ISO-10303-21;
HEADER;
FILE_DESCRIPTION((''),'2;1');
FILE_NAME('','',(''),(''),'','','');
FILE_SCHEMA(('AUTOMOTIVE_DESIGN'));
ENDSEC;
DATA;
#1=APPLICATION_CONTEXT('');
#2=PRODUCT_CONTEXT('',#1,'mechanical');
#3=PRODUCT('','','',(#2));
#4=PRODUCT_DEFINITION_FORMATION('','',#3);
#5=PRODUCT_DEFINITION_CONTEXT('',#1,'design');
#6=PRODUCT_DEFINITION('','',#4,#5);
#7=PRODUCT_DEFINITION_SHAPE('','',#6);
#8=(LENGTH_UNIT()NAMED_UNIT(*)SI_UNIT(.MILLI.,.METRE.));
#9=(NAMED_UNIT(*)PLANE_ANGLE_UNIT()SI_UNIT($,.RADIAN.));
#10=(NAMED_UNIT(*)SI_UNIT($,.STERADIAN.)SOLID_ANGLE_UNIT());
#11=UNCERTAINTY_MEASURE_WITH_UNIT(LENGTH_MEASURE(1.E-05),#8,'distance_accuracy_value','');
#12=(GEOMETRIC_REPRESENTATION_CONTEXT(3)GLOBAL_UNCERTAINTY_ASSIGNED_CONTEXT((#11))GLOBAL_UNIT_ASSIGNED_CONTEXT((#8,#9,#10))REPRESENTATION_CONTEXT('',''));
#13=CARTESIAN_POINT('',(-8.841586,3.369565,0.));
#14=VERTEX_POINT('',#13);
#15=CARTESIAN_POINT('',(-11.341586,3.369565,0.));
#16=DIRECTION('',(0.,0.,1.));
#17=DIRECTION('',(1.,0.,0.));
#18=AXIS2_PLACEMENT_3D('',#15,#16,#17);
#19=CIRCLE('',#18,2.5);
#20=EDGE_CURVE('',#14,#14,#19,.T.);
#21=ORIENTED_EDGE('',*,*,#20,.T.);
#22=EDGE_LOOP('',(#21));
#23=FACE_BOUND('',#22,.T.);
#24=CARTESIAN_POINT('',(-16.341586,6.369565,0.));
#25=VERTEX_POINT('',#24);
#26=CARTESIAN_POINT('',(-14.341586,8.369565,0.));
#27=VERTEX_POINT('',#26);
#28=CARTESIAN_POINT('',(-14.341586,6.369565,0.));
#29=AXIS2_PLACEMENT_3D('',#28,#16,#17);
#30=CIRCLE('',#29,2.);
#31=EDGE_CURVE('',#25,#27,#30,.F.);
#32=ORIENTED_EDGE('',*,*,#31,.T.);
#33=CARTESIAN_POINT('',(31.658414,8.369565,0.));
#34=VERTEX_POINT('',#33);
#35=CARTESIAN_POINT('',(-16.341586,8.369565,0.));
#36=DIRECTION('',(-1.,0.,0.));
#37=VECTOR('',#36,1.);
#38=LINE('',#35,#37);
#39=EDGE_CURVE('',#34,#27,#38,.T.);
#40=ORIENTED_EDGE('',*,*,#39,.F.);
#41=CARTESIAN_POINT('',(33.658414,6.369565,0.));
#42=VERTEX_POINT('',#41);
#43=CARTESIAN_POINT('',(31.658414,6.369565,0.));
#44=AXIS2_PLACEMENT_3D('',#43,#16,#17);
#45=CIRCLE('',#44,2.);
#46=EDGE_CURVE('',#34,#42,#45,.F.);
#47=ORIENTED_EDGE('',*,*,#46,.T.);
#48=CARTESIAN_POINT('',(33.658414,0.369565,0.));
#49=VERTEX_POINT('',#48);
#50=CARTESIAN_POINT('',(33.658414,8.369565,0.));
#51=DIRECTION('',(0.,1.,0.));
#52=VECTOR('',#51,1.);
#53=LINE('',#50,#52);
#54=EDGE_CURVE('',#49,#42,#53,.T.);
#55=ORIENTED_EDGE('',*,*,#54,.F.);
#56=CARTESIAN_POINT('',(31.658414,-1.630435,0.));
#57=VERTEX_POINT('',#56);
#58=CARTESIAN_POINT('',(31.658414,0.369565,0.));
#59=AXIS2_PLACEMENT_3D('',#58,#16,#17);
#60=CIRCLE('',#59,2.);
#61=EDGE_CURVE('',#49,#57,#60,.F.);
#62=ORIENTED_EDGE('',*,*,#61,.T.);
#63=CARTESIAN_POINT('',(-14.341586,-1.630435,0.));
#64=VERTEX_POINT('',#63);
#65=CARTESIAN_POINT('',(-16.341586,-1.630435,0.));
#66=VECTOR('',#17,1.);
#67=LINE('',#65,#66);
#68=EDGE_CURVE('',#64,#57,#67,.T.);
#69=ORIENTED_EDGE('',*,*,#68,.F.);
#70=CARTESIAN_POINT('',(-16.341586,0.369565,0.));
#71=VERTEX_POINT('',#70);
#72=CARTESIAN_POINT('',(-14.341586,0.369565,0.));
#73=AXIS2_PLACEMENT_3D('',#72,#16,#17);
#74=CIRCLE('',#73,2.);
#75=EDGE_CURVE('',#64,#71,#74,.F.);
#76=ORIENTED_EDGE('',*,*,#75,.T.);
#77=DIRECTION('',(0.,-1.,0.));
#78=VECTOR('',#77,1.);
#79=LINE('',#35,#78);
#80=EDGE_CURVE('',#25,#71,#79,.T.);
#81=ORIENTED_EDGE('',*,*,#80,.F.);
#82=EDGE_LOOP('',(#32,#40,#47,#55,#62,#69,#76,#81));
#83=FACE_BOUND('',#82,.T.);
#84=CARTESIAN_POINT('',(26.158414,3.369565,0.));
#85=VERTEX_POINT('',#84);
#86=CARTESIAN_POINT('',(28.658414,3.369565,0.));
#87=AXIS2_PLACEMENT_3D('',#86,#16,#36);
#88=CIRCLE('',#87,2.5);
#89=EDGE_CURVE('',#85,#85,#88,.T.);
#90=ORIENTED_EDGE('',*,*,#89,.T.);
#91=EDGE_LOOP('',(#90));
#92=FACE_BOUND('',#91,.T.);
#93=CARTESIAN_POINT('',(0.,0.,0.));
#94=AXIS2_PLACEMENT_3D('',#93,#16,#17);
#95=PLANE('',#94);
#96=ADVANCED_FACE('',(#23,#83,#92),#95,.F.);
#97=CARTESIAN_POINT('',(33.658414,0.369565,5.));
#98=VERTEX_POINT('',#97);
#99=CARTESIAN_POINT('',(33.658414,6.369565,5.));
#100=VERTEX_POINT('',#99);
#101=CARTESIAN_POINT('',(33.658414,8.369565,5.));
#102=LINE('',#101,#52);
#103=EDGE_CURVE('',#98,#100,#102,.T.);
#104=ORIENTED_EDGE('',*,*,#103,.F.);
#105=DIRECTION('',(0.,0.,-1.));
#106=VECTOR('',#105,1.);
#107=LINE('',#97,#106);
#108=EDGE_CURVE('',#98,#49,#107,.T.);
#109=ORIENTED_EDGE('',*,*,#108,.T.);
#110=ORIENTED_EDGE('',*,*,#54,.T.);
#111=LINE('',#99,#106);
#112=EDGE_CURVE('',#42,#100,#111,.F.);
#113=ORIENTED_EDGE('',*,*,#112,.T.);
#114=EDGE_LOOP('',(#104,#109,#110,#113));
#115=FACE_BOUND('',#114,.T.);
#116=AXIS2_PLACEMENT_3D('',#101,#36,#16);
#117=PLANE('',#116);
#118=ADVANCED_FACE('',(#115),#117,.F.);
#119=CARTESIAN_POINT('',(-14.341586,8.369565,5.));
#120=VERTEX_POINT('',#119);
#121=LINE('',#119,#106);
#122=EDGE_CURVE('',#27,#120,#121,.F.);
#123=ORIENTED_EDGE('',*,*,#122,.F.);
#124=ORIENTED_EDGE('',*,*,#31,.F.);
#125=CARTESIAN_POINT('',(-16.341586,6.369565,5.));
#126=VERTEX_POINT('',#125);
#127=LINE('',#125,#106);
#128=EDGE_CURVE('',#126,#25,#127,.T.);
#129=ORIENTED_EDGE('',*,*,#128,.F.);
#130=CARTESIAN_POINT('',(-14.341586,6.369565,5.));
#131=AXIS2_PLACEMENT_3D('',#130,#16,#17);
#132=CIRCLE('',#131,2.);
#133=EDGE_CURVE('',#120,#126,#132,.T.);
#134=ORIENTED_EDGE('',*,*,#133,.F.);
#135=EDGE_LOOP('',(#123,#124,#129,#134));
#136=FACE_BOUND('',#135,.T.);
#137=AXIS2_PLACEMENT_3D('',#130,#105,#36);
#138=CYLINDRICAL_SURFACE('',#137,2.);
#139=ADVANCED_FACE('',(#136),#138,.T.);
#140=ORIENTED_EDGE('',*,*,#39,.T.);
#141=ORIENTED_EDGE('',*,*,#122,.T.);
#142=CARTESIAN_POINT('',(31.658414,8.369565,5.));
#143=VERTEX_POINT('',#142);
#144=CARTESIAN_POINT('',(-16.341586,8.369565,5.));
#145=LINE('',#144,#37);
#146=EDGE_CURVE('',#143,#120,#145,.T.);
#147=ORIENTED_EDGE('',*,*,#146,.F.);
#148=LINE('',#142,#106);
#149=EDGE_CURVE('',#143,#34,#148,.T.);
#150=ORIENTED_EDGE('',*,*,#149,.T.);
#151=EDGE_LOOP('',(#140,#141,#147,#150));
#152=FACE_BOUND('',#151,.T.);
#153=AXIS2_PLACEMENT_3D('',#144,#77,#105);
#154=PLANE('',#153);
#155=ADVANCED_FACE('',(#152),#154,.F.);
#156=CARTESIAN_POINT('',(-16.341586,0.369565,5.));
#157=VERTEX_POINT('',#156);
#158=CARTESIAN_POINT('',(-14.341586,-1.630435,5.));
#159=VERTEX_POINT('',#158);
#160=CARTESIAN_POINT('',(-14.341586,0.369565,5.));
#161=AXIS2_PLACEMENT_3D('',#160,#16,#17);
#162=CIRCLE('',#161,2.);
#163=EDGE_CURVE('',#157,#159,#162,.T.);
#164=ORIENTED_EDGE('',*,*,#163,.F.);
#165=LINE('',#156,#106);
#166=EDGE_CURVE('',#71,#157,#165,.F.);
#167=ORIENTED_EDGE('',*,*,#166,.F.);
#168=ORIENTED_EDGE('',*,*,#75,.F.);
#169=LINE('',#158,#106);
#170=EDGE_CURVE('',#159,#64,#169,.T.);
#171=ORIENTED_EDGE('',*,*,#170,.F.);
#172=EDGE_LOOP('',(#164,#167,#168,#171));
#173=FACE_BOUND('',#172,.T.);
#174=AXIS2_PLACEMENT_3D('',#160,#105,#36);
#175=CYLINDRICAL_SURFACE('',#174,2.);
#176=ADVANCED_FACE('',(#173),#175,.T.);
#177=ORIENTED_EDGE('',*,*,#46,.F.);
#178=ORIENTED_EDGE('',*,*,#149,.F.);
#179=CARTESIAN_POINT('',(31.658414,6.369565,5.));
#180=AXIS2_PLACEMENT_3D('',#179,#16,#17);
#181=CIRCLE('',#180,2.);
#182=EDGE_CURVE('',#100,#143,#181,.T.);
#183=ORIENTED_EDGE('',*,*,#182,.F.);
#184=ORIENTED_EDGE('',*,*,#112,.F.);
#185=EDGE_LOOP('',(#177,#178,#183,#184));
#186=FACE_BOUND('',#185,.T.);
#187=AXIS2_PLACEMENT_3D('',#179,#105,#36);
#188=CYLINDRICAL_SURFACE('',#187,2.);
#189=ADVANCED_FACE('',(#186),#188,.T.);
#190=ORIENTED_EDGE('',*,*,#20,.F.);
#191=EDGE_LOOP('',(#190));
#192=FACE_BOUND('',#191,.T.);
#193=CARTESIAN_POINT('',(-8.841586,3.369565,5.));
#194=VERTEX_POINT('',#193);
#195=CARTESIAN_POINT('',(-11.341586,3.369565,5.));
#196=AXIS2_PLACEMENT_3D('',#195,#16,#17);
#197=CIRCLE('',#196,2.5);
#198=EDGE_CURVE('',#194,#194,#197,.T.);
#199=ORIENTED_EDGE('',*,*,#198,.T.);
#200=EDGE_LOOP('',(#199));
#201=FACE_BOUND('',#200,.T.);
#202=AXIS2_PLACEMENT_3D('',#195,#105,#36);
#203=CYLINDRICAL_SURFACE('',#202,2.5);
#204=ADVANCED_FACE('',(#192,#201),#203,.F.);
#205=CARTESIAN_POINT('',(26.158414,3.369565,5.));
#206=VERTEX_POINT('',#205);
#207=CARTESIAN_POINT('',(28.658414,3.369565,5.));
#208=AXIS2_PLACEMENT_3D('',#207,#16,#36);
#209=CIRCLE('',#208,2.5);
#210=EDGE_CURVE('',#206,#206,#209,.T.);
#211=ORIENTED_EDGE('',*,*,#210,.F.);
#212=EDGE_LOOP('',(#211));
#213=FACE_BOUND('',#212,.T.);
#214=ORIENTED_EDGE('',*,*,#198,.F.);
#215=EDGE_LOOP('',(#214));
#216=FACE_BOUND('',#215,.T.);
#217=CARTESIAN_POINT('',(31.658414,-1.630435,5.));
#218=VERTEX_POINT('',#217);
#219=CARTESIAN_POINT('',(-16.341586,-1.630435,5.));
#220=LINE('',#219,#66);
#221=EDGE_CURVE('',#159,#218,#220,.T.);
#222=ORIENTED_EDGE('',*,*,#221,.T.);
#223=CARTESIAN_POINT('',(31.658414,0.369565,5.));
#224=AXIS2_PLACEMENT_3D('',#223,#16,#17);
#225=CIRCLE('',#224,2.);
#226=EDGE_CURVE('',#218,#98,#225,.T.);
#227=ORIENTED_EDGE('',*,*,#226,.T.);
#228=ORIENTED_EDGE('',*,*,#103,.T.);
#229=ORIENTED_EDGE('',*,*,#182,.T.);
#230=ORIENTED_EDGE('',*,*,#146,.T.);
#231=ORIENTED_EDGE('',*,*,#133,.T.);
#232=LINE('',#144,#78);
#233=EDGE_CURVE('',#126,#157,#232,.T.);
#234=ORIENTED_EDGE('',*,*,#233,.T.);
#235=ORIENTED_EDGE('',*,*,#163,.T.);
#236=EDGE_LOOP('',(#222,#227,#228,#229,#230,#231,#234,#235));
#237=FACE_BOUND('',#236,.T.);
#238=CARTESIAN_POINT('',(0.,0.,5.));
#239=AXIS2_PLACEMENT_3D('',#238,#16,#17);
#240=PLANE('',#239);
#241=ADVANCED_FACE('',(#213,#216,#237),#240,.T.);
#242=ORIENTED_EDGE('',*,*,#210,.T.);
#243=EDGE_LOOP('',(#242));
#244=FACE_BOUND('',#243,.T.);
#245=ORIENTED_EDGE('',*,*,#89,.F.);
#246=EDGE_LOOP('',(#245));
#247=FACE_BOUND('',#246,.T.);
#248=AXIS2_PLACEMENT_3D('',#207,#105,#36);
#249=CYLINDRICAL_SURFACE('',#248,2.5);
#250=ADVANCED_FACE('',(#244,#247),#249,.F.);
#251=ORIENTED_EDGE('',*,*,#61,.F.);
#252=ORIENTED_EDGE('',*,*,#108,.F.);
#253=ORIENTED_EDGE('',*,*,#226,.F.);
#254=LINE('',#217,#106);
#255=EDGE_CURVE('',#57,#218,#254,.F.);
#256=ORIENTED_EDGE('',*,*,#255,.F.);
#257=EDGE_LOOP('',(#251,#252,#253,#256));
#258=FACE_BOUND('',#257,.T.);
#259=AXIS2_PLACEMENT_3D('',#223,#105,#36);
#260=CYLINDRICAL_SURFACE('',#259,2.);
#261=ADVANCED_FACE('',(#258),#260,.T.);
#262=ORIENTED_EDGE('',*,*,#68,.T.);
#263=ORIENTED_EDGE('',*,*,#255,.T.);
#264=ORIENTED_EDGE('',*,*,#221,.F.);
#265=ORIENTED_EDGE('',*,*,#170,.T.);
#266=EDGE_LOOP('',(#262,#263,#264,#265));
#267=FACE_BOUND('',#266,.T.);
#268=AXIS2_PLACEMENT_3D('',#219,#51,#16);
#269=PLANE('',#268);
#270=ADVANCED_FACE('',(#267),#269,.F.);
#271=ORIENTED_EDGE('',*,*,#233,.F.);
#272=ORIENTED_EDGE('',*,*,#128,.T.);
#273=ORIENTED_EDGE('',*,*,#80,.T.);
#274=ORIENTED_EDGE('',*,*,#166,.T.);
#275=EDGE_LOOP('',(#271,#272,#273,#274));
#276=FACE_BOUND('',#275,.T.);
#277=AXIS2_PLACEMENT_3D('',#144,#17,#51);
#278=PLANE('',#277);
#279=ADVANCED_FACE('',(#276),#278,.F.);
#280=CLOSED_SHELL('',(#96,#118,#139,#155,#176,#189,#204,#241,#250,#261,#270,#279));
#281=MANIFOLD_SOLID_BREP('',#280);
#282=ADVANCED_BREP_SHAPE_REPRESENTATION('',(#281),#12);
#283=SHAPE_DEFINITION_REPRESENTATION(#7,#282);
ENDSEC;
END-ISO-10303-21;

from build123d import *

# Parameters (mm, degrees)
ESQUISSE1_W        = 50
ESQUISSE1_H        = 10
ESQUISSE1_R        = 2.5
BOSS_EXTRU_1_DEPTH = 5
CONG_1_R           = 2
CONG_2_R           = 2
CONG_3_R           = 2
CONG_4_R           = 2


with BuildPart() as part:
    # Esquisse1 → Boss.-Extru.1 (new body)
    with BuildSketch(Plane.XY):
        with Locations((8.658413849, 3.369565217)):
            Rectangle(ESQUISSE1_W, ESQUISSE1_H)
        with Locations((-11.341586151, 3.369565217)):
            Circle(ESQUISSE1_R, mode=Mode.SUBTRACT)
        with Locations(Location((28.658413849, 3.369565217, 0), (0, 0, 180))):
            Circle(ESQUISSE1_R, mode=Mode.SUBTRACT)
    extrude(amount=BOSS_EXTRU_1_DEPTH)

    # Congé1
    cong_1_edges = [part.edges().sort_by_distance(p)[0] for p in [
        (-16.341586151, 8.369565217, 2.5),
    ]]
    fillet(cong_1_edges, radius=CONG_1_R)

    # Congé2
    cong_2_edges = [part.edges().sort_by_distance(p)[0] for p in [
        (-16.341586151, -1.630434783, 2.5),
    ]]
    fillet(cong_2_edges, radius=CONG_2_R)

    # Congé3
    cong_3_edges = [part.edges().sort_by_distance(p)[0] for p in [
        (33.658413849, 8.369565217, 2.5),
    ]]
    fillet(cong_3_edges, radius=CONG_3_R)

    # Congé4
    cong_4_edges = [part.edges().sort_by_distance(p)[0] for p in [
        (33.658413849, -1.630434783, 2.5),
    ]]
    fillet(cong_4_edges, radius=CONG_4_R)


solid = part.part
